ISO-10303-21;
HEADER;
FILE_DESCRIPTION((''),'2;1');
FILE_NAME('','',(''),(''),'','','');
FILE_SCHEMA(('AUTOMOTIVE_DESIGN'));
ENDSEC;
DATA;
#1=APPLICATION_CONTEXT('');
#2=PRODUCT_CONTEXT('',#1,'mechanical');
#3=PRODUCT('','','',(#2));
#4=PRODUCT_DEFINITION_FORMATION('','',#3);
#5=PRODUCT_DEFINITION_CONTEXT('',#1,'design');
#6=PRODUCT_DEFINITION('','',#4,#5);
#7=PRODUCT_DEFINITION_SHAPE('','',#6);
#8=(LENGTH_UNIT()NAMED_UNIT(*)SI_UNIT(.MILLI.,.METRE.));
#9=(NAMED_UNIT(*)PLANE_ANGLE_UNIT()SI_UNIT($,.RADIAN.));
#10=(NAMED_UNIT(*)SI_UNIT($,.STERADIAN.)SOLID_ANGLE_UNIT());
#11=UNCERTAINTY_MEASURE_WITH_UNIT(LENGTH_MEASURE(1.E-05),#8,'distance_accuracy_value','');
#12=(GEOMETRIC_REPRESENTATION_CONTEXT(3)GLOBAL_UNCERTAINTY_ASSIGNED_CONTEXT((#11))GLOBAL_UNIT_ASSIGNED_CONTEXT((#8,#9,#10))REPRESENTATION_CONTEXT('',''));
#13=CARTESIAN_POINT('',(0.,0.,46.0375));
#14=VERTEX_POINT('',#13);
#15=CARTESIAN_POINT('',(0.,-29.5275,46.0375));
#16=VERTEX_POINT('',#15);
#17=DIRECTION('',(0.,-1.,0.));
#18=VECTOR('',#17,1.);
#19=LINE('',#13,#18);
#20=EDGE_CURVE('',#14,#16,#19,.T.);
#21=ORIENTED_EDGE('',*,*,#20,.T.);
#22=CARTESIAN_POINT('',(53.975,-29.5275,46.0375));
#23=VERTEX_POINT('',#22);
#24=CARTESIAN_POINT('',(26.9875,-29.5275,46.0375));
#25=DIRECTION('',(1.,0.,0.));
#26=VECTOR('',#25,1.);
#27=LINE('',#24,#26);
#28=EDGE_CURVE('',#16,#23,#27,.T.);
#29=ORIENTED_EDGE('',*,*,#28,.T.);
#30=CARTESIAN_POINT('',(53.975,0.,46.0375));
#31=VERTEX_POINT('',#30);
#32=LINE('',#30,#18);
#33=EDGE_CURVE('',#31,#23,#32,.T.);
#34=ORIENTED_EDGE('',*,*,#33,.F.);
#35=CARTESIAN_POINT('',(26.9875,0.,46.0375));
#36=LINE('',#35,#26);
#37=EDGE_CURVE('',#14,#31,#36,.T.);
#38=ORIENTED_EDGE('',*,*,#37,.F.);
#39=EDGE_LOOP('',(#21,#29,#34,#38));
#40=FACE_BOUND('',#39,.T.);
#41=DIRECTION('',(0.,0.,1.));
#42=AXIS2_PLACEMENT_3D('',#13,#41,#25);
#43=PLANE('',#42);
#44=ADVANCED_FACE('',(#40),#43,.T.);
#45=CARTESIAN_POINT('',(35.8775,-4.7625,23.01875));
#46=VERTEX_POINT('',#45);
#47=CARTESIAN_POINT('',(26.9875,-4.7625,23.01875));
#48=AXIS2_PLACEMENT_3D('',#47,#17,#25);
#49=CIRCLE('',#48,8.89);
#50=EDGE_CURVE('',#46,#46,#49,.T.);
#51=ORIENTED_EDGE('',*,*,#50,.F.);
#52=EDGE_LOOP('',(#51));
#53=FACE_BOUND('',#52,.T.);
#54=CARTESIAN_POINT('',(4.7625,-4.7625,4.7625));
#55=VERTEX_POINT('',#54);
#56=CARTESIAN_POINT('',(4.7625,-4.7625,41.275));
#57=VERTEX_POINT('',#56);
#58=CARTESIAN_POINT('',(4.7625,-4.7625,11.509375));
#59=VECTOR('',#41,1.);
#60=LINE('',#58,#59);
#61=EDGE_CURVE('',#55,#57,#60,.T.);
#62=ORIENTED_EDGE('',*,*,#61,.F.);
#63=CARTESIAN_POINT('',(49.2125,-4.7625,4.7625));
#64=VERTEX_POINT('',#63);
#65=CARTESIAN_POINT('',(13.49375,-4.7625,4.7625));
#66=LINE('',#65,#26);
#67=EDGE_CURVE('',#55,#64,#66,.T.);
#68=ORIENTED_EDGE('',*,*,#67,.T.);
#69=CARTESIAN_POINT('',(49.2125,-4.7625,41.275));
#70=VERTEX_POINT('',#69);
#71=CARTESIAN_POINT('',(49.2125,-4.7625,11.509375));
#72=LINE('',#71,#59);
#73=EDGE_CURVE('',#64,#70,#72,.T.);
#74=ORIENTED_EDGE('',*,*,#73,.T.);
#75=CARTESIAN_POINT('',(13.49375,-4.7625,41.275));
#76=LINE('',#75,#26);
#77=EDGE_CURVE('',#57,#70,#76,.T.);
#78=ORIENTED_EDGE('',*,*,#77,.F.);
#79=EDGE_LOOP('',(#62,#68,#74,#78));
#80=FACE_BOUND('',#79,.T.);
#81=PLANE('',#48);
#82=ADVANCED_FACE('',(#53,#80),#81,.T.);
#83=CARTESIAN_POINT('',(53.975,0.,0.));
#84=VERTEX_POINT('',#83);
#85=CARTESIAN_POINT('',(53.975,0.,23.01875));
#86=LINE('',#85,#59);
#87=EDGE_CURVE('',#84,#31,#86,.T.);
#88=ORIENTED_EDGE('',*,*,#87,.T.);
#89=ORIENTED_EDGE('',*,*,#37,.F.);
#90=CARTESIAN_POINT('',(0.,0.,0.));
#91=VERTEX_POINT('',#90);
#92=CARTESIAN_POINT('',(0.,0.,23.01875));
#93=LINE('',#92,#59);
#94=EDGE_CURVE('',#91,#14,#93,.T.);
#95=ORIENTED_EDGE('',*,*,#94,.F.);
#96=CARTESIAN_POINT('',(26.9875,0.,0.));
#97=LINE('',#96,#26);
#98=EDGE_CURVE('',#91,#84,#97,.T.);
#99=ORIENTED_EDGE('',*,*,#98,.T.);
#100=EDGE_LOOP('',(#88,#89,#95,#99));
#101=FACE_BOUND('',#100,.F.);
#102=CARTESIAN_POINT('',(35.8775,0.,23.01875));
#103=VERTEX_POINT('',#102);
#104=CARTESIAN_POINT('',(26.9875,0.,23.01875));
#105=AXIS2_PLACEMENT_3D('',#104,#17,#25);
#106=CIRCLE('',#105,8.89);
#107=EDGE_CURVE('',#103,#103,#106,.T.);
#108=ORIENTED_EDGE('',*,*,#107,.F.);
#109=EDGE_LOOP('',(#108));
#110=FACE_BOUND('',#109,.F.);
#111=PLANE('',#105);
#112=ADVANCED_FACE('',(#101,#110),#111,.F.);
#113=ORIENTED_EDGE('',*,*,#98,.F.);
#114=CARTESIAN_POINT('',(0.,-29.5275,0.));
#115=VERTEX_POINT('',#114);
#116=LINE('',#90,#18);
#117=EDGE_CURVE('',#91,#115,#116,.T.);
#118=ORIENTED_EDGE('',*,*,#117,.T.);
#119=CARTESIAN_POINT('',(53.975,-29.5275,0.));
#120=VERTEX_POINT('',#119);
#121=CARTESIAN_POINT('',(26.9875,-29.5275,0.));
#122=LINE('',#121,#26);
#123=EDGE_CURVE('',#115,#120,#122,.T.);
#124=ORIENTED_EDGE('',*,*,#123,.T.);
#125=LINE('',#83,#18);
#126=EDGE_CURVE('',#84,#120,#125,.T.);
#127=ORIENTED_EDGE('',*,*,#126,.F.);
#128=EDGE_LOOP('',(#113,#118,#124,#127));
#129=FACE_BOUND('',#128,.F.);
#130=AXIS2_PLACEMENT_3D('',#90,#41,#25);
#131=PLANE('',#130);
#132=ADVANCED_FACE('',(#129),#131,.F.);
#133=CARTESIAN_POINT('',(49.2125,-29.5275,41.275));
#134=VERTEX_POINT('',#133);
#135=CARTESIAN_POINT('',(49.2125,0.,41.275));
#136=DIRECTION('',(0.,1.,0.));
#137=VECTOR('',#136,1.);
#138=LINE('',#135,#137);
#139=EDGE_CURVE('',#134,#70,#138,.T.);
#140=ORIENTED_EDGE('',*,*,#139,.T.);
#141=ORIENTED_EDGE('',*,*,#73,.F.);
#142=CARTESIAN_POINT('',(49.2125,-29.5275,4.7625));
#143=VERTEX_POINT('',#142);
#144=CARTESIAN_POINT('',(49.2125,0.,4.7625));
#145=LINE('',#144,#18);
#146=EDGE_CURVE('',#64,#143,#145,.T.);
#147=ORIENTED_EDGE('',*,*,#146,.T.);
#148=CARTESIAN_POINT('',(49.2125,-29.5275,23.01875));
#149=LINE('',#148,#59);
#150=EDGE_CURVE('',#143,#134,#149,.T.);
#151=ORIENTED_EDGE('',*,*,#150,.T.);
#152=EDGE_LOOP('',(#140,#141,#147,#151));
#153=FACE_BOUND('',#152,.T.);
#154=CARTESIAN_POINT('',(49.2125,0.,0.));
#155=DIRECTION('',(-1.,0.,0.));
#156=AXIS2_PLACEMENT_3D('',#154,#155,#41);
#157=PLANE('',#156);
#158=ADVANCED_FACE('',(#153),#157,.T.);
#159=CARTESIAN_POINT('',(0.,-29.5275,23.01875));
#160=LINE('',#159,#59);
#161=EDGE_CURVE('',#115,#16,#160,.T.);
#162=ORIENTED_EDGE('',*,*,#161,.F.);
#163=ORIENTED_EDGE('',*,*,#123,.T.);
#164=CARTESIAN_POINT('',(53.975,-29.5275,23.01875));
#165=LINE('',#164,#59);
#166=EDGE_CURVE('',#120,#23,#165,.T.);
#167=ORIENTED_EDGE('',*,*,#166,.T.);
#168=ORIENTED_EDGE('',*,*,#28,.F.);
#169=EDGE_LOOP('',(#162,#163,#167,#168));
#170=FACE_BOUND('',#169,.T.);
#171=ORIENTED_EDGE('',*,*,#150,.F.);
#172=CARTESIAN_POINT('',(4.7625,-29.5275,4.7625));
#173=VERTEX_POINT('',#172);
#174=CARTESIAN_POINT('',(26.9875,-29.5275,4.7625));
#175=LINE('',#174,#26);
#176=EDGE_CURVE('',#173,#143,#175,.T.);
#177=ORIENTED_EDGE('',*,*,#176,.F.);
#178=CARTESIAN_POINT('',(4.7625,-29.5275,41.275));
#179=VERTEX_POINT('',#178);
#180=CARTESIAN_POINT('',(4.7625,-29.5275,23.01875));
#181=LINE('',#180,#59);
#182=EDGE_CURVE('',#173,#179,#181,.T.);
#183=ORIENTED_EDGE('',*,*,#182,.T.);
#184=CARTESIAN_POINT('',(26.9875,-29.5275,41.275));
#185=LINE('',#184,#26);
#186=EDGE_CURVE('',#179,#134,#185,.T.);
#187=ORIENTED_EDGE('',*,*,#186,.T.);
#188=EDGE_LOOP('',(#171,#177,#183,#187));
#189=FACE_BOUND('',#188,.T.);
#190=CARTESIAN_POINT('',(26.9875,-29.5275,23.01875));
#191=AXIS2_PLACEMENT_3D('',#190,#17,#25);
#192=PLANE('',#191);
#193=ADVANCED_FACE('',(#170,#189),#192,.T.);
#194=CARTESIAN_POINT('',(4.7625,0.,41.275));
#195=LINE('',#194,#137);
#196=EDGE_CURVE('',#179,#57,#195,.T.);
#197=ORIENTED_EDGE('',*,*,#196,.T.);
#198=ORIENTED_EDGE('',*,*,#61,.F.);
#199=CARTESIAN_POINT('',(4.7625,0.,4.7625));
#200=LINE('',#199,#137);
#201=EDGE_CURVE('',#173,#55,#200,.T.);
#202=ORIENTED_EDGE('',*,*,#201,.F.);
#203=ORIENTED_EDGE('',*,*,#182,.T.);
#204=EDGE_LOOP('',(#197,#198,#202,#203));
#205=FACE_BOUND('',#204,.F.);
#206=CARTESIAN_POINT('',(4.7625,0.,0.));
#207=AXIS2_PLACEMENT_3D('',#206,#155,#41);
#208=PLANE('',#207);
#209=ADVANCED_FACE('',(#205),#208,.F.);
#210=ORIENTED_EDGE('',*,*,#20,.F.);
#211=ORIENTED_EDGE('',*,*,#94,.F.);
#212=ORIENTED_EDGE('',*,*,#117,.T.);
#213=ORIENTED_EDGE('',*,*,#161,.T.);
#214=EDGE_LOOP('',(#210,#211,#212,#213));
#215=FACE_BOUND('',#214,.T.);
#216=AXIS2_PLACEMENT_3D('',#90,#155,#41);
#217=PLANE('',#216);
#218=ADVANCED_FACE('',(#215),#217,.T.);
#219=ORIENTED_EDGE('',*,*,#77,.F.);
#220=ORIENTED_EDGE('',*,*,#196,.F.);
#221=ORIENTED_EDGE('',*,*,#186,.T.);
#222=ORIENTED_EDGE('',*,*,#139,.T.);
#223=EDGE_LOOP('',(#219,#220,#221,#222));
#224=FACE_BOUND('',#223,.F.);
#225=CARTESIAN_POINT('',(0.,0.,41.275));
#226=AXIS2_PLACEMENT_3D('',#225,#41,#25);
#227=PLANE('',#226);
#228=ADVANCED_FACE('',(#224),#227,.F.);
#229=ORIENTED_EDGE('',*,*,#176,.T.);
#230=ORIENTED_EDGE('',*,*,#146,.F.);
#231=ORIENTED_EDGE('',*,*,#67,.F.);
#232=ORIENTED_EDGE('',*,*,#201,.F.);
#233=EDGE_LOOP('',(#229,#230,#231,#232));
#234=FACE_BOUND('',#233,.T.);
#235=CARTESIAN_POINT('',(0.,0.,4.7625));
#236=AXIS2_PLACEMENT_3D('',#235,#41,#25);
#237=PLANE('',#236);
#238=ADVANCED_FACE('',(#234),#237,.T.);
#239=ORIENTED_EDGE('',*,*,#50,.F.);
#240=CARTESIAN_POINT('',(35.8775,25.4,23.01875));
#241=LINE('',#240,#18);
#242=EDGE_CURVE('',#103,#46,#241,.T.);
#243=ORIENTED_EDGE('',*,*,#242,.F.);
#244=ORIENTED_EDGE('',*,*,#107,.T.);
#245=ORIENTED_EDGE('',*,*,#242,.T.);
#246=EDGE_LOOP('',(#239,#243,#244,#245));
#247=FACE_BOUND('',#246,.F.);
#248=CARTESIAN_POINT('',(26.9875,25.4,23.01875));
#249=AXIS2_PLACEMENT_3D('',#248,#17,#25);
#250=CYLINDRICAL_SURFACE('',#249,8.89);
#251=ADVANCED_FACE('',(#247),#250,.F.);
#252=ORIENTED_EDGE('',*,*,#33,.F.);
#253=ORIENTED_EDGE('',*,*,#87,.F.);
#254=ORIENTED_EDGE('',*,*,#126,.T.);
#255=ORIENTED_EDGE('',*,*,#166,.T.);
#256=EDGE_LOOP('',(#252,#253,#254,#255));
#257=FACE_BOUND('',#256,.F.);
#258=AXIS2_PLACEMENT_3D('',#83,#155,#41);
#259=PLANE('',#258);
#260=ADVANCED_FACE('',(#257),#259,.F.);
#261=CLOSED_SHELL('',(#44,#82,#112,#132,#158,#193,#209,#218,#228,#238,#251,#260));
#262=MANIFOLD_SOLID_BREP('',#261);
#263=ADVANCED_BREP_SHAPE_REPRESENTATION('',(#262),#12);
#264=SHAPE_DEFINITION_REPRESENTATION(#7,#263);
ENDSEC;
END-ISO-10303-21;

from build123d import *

# Parameters (mm, degrees)
F0_W     = 53.975
F0_H     = 46.0375
F1_DEPTH = 29.5275
F2_T     = -4.7625
F4_D     = 17.78
F4_DEPTH = 25.4


with BuildPart() as f1:
    # F0 (on Front) → F1 (new body)
    with BuildSketch(Plane.XZ):
        with Locations((26.9875, 23.01875)):
            Rectangle(F0_W, F0_H)
    extrude(amount=F1_DEPTH)

    # F2
    f2_openings = [f1.faces().sort_by_distance(p)[0] for p in [
        (26.9875, -29.5275, 23.01875),
    ]]
    offset(amount=F2_T, openings=f2_openings)

    # F4
    with Locations(Plane(origin=(0, 0, 0), x_dir=(-1, 0, 0), z_dir=(0, 1, 0))):
        with Locations((-26.9875, 23.01875)):
            Hole(F4_D / 2, depth=F4_DEPTH)


solid = f1.part
